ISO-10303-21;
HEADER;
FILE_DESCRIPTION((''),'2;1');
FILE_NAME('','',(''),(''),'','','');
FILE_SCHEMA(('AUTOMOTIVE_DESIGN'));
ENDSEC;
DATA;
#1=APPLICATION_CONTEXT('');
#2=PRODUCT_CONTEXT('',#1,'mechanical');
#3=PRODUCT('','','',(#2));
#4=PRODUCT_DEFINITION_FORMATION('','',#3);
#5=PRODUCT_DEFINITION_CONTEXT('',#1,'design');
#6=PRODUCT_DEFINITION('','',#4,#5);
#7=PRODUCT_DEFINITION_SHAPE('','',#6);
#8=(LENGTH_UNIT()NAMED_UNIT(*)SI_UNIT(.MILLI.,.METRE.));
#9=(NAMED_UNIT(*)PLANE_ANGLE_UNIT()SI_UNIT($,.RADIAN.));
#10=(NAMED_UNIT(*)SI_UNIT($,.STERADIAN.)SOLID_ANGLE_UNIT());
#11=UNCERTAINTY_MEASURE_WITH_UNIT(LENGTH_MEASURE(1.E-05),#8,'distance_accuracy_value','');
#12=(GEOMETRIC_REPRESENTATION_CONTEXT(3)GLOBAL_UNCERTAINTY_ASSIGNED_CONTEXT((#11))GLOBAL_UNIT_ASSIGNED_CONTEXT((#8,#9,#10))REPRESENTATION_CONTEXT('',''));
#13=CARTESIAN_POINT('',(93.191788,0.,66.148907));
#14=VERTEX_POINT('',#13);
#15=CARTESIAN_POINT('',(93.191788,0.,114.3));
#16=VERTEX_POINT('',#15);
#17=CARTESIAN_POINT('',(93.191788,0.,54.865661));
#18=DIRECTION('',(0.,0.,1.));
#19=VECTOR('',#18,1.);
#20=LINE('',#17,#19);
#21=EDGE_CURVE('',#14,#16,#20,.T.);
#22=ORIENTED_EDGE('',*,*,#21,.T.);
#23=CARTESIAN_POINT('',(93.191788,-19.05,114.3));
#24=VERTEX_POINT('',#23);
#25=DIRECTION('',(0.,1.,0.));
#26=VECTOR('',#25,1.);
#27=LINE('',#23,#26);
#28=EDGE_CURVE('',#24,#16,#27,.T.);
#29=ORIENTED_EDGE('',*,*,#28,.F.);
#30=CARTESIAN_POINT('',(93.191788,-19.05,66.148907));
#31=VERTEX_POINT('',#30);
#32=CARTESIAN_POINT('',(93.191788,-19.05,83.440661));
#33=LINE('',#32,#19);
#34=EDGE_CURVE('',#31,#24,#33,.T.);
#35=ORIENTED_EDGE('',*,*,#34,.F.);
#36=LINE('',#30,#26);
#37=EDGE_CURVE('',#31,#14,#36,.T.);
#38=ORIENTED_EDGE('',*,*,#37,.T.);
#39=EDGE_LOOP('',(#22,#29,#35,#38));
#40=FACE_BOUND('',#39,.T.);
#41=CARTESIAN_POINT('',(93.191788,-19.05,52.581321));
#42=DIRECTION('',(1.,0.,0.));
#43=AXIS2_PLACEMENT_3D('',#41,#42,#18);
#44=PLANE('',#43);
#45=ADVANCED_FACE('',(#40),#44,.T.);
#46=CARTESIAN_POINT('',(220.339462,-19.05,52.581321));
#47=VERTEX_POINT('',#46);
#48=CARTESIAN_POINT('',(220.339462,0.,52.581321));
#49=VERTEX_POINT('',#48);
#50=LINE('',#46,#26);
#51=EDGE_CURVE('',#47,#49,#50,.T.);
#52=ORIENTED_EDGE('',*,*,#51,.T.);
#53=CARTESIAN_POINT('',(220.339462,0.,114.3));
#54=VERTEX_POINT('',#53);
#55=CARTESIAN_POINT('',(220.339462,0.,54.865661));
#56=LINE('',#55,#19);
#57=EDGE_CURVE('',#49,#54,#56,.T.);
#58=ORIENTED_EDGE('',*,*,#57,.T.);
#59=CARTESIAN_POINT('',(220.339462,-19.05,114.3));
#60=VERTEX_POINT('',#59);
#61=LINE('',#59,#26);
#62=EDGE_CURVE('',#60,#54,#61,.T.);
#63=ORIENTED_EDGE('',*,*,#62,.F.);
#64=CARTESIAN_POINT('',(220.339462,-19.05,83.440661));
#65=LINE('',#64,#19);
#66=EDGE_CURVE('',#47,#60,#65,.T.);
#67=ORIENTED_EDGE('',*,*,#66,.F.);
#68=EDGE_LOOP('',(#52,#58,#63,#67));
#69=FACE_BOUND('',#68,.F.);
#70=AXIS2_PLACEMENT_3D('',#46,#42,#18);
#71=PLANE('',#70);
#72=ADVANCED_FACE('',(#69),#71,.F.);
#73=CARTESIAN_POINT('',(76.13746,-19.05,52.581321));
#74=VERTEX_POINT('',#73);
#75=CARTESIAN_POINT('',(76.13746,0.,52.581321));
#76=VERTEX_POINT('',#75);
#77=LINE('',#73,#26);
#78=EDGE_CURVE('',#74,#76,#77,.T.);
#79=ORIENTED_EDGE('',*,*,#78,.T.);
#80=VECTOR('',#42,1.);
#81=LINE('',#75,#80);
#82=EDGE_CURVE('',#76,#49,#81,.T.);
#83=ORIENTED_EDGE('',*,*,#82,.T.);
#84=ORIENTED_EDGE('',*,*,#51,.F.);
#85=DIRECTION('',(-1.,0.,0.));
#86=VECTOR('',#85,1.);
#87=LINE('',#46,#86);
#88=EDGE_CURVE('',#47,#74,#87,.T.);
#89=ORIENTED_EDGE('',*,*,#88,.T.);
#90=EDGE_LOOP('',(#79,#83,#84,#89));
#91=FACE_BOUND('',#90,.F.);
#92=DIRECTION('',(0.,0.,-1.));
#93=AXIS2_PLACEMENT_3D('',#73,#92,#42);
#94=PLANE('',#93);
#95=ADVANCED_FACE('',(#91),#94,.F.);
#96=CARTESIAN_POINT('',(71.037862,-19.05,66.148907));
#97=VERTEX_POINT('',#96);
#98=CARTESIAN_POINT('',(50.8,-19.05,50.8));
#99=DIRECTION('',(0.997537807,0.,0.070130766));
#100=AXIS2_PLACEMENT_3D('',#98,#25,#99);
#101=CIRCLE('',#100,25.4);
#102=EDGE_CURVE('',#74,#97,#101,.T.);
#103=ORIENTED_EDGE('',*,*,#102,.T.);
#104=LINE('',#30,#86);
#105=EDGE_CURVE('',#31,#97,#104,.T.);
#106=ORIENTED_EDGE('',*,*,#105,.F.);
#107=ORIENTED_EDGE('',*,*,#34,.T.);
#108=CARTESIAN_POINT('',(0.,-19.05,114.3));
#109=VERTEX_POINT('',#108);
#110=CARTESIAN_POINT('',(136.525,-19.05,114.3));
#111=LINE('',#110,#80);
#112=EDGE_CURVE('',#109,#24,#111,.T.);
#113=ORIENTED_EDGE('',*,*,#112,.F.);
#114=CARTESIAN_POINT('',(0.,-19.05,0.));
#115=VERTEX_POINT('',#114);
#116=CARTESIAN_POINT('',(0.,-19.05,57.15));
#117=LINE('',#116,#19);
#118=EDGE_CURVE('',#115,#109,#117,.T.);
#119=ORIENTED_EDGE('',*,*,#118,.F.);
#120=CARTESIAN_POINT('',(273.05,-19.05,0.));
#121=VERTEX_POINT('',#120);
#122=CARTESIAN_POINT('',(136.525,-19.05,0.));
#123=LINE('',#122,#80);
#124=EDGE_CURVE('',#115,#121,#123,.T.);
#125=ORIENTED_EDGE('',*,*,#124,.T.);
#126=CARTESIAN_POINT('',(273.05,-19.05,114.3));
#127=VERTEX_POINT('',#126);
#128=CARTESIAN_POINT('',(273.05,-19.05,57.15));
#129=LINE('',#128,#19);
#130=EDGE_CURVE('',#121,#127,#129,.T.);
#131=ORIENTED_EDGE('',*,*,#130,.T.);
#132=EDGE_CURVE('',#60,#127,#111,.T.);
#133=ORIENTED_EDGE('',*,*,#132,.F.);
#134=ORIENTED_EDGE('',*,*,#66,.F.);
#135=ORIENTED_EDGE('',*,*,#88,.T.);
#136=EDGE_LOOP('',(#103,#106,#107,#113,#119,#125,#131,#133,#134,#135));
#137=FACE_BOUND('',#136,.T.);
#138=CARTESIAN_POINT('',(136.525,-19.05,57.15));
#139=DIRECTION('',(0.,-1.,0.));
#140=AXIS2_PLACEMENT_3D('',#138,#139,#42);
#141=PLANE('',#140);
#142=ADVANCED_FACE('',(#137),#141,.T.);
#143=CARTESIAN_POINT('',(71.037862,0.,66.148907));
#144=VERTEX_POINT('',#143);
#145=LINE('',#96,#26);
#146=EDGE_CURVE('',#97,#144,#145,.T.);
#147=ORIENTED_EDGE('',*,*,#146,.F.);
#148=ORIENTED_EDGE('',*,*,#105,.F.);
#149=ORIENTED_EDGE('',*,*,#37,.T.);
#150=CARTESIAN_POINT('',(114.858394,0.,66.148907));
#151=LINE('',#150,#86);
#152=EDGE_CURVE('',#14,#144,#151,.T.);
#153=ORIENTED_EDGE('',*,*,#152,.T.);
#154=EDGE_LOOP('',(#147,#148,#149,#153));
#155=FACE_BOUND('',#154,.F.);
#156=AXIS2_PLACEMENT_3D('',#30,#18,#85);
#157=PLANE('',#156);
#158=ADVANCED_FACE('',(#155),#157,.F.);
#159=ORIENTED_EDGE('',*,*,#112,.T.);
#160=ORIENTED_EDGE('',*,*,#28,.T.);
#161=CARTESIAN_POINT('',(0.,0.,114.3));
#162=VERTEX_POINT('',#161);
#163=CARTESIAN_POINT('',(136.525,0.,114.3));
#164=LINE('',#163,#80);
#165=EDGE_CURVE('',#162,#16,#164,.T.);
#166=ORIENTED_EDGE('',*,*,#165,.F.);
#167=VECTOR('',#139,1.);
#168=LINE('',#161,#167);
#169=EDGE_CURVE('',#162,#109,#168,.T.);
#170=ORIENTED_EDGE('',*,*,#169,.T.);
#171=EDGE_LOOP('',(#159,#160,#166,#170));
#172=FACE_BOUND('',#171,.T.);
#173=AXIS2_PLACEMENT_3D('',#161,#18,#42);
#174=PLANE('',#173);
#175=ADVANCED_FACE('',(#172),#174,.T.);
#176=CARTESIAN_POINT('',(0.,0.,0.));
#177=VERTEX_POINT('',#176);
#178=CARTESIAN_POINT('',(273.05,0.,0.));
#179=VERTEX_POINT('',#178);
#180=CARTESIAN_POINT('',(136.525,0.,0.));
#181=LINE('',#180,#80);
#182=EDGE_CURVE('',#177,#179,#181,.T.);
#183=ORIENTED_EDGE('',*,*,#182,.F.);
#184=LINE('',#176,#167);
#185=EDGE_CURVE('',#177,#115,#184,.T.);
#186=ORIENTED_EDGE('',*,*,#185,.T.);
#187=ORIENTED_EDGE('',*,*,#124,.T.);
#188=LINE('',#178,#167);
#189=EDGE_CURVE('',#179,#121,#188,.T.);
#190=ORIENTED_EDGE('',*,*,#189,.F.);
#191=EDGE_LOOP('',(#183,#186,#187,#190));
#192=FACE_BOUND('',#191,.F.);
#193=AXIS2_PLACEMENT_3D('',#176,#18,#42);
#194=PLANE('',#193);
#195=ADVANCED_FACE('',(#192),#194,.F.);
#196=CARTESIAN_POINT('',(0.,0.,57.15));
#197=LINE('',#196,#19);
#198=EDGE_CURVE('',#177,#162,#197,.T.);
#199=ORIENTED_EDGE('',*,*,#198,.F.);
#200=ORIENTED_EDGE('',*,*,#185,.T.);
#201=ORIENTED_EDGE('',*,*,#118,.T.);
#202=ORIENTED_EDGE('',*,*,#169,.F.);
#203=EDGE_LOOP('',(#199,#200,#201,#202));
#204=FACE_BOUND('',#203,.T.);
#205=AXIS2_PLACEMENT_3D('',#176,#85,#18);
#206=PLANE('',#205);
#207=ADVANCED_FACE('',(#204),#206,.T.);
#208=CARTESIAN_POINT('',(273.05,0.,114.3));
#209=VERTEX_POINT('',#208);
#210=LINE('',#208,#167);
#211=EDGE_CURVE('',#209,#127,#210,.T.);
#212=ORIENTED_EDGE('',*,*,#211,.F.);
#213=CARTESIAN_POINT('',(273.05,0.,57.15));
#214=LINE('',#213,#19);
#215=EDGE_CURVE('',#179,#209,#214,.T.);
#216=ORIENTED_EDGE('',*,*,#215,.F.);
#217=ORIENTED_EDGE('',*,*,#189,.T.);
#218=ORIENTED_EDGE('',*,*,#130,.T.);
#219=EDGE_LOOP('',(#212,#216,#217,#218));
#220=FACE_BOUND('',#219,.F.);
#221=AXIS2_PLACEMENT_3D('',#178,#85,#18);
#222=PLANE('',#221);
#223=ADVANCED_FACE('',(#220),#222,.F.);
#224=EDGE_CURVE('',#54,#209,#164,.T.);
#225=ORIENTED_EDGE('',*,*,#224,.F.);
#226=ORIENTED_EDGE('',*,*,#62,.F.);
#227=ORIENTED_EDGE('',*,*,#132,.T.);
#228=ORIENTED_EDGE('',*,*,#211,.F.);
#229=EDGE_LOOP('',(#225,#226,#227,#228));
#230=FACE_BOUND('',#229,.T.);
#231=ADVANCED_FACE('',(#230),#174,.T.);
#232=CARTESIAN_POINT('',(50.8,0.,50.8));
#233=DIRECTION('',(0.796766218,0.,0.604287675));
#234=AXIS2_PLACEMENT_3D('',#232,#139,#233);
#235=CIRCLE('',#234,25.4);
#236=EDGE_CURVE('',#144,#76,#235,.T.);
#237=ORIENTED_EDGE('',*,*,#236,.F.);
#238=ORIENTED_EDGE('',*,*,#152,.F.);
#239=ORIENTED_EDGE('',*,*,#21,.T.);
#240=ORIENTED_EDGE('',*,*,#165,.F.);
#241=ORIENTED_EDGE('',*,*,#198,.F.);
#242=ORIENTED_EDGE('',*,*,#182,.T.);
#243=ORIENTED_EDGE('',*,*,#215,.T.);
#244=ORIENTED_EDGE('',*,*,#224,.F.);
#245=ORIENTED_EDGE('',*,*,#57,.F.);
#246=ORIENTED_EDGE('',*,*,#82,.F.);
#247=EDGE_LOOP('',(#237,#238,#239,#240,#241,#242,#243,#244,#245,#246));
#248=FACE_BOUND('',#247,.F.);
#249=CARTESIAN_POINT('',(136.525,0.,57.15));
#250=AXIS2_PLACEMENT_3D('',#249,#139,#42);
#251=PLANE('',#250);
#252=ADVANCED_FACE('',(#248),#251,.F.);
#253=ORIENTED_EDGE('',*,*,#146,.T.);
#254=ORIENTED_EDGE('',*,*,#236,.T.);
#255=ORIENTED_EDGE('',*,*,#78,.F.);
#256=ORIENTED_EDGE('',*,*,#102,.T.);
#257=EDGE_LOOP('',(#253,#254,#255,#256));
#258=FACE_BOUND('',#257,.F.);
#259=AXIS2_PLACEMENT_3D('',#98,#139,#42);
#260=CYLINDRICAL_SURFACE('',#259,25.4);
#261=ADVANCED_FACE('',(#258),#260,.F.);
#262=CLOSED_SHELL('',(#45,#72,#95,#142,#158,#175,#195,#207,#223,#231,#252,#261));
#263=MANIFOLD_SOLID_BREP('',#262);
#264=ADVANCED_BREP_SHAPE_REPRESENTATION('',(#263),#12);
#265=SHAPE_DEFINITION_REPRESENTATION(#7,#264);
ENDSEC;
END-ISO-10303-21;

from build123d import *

# Parameters (mm, degrees)
F0_W     = 273.05
F0_H     = 114.3
F1_DEPTH = 19.05
F2_R     = 25.4
F3_DEPTH = 25.4
F4_W     = 127.1476745605
F4_H     = 61.7186785519
F5_DEPTH = 25.4
F7_DEPTH = 25.4


with BuildPart() as f1:
    # F0 (on Front) → F1 (new body)
    with BuildSketch(Plane.XZ):
        with Locations((136.525, 57.15)):
            Rectangle(F0_W, F0_H)
    extrude(amount=F1_DEPTH)

    # F2 (on face) → F3 (cut)
    with BuildSketch(Plane.XZ.offset(19.05)):
        with Locations((50.8, 50.8)):
            Circle(F2_R)
    extrude(amount=-F3_DEPTH, mode=Mode.SUBTRACT)

    # F4 (on face) → F5 (cut)
    with BuildSketch(Plane.XZ.offset(19.05)):
        with Locations((156.7656248808, 83.440660724)):
            Rectangle(F4_W, F4_H)
    extrude(amount=-F5_DEPTH, mode=Mode.SUBTRACT)

    # F6 (on face) → F7 (cut)
    with BuildSketch(Plane.XZ.offset(19.05)):
        Polygon((93.1917876005, 52.5813214481), (93.1917876005, 66.1489069462), (71.0378619315, 66.1489069462), (76.137460289, 52.5813214481), align=None)
    extrude(amount=-F7_DEPTH, mode=Mode.SUBTRACT)


solid = f1.part
